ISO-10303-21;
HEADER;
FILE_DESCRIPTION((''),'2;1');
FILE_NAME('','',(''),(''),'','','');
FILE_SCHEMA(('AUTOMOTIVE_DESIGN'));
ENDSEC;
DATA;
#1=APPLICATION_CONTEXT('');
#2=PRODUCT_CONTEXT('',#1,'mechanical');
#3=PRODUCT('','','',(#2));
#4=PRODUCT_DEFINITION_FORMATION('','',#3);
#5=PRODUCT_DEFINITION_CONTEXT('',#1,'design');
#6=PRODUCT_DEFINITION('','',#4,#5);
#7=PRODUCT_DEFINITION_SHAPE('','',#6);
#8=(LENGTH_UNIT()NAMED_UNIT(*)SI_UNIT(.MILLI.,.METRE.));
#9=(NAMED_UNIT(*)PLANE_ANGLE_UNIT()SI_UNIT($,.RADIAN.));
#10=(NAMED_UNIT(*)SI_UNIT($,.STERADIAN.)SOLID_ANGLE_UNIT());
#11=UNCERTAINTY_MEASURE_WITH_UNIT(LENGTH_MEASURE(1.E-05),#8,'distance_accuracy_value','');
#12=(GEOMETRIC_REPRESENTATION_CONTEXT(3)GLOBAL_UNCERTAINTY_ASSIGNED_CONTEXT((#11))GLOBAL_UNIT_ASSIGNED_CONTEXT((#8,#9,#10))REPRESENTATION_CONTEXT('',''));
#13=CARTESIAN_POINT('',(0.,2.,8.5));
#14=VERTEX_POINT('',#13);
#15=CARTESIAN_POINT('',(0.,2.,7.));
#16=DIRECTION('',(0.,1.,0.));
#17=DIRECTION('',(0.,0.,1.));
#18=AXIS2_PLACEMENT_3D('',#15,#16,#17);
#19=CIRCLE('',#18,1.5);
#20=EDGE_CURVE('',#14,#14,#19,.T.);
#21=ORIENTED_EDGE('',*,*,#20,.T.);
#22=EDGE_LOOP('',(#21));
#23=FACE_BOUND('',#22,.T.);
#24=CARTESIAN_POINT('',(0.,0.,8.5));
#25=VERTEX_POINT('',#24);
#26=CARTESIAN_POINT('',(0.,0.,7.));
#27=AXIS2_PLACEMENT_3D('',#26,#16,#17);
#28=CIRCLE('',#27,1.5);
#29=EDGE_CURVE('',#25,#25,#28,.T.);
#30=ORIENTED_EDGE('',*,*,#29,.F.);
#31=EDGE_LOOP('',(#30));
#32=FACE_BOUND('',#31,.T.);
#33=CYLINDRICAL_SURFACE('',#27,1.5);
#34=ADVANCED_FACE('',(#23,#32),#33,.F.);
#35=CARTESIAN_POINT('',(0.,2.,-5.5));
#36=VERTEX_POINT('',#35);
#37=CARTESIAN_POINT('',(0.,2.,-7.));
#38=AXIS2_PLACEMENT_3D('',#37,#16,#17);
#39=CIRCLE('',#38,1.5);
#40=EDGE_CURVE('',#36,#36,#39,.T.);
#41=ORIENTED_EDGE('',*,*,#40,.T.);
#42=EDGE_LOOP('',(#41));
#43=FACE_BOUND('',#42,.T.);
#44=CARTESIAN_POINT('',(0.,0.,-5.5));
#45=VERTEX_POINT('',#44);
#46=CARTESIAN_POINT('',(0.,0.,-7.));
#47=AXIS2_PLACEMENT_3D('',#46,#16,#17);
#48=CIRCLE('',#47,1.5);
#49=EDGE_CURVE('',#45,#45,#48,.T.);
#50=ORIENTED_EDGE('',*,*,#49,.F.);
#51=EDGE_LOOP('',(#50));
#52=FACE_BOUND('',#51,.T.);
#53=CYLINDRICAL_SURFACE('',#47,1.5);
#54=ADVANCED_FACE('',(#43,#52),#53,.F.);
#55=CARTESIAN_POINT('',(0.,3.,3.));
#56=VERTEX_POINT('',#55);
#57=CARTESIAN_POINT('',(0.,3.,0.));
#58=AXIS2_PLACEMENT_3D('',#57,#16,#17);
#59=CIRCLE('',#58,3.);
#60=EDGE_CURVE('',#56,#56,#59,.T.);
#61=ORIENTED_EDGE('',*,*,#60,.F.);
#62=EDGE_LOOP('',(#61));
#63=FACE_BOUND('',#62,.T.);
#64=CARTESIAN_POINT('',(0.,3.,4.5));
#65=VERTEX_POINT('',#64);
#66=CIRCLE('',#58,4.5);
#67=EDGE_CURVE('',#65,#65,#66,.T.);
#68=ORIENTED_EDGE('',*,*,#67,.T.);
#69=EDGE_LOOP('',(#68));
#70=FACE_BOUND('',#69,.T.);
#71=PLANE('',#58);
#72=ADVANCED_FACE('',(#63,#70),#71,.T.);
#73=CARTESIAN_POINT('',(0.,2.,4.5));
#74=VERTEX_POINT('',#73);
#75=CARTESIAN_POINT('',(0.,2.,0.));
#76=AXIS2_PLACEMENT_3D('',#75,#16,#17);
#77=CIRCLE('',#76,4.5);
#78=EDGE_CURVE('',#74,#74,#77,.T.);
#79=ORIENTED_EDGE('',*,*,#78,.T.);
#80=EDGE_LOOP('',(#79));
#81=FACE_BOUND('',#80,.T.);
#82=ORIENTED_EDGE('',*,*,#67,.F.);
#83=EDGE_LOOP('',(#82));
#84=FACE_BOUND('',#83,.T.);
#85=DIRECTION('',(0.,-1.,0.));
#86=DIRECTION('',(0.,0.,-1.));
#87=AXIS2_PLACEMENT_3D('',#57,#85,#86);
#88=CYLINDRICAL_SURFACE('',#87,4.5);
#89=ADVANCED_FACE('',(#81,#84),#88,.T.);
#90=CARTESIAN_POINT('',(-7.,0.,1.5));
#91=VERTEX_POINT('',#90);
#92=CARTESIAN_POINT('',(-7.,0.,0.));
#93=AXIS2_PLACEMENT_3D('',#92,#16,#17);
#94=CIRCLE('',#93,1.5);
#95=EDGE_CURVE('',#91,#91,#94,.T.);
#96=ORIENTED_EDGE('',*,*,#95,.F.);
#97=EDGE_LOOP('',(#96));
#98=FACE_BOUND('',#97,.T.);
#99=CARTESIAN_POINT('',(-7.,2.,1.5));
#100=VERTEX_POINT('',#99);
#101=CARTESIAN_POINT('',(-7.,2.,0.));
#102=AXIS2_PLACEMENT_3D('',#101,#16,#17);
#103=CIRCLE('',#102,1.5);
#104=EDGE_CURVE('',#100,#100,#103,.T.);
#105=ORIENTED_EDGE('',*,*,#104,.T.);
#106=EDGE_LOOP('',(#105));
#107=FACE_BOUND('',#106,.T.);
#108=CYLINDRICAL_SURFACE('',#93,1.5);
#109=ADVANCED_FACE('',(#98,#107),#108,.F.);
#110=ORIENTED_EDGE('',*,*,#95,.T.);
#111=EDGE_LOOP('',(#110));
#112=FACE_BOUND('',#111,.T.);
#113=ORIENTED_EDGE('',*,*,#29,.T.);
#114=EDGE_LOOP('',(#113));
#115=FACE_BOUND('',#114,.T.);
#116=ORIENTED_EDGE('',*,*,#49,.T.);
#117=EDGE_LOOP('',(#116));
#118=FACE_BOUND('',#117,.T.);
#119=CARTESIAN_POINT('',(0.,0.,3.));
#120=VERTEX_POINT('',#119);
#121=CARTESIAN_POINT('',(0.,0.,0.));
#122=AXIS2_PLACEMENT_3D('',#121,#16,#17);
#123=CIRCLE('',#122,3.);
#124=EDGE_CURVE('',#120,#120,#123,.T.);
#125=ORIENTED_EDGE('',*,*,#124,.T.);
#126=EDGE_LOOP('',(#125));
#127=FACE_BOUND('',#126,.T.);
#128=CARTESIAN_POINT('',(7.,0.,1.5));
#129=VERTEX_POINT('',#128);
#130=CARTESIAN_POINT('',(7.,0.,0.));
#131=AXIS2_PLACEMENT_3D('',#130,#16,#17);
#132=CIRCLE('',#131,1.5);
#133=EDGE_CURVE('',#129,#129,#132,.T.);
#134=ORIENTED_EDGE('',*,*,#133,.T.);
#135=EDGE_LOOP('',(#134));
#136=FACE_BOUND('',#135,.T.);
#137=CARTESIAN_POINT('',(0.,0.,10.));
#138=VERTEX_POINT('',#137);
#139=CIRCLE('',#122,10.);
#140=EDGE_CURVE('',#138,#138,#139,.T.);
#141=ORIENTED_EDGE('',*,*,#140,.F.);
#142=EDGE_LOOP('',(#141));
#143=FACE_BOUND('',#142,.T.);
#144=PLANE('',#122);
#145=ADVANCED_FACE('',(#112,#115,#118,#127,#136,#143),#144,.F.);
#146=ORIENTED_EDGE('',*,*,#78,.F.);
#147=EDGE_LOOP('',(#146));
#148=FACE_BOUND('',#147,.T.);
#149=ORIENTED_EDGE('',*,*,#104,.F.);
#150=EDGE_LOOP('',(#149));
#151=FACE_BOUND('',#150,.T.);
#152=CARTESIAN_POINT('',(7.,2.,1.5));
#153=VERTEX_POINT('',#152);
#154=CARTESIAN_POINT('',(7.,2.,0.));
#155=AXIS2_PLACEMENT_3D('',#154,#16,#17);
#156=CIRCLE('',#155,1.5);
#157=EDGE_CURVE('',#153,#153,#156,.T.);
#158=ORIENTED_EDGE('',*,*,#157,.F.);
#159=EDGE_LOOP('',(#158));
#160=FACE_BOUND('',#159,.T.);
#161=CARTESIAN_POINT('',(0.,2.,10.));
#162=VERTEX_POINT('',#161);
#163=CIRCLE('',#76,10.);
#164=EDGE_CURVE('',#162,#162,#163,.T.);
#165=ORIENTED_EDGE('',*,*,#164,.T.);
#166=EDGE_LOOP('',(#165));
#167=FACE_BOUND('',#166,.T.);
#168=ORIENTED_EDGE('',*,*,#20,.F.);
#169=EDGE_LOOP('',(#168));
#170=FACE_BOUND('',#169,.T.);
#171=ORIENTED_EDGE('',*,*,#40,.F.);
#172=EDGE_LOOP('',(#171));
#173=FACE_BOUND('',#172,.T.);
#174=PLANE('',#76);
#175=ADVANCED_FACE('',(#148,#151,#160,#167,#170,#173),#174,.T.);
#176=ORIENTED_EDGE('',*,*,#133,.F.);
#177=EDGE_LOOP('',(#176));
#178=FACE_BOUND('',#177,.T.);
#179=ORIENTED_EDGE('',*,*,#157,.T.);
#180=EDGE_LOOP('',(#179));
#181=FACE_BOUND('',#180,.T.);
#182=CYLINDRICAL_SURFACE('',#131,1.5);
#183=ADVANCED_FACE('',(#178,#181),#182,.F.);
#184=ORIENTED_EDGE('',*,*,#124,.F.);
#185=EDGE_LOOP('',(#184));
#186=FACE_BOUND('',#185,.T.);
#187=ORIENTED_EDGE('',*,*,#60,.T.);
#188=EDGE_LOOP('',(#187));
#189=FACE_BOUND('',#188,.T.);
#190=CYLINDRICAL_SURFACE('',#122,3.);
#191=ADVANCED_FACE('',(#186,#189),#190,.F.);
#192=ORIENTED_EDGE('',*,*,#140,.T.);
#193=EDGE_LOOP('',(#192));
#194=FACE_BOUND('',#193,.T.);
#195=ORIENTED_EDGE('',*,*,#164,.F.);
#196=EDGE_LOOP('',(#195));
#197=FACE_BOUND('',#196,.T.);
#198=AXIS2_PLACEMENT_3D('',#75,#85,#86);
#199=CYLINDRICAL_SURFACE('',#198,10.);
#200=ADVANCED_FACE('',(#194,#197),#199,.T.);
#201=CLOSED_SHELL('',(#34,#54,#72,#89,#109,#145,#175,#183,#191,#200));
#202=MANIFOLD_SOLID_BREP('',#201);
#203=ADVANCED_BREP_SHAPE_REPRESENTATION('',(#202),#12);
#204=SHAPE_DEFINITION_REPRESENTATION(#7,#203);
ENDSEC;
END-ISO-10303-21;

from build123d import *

# Parameters (mm, degrees)
SKETCH_1_R          = 10
EXTRUDE_1_DEPTH     = 2
SKETCH_2_R          = 3
SKETCH_2_R_2        = 1.5
CUT_EXTRUDE_1_DEPTH = 2
SKETCH_3_R          = 4.5
SKETCH_3_R_2        = 3
EXTRUDE_2_DEPTH     = 1


with BuildPart() as part:
    # 草图1 → 凸台-拉伸1 (new body)
    with BuildSketch(Plane(origin=(0, 0, 0), x_dir=(1, 0, 0), z_dir=(0, 1, 0))):
        Circle(SKETCH_1_R)
    extrude(amount=EXTRUDE_1_DEPTH)

    # 草图2 → 切除-拉伸1 (cut)
    with BuildSketch(Plane(origin=(0, 2, 0), x_dir=(1, 0, 0), z_dir=(0, 1, 0))):
        Circle(SKETCH_2_R)
        with Locations((0, 7)):
            Circle(SKETCH_2_R_2)
        with Locations((7, 0)):
            Circle(SKETCH_2_R_2)
        with Locations((0, -7)):
            Circle(SKETCH_2_R_2)
        with Locations((-7, 0)):
            Circle(SKETCH_2_R_2)
    extrude(amount=-CUT_EXTRUDE_1_DEPTH, mode=Mode.SUBTRACT)

    # 草图3 → 凸台-拉伸2 (add)
    with BuildSketch(Plane(origin=(0, 2, 0), x_dir=(1, 0, 0), z_dir=(0, 1, 0))):
        Circle(SKETCH_3_R)
        Circle(SKETCH_3_R_2, mode=Mode.SUBTRACT)
    extrude(amount=EXTRUDE_2_DEPTH)


solid = part.part
